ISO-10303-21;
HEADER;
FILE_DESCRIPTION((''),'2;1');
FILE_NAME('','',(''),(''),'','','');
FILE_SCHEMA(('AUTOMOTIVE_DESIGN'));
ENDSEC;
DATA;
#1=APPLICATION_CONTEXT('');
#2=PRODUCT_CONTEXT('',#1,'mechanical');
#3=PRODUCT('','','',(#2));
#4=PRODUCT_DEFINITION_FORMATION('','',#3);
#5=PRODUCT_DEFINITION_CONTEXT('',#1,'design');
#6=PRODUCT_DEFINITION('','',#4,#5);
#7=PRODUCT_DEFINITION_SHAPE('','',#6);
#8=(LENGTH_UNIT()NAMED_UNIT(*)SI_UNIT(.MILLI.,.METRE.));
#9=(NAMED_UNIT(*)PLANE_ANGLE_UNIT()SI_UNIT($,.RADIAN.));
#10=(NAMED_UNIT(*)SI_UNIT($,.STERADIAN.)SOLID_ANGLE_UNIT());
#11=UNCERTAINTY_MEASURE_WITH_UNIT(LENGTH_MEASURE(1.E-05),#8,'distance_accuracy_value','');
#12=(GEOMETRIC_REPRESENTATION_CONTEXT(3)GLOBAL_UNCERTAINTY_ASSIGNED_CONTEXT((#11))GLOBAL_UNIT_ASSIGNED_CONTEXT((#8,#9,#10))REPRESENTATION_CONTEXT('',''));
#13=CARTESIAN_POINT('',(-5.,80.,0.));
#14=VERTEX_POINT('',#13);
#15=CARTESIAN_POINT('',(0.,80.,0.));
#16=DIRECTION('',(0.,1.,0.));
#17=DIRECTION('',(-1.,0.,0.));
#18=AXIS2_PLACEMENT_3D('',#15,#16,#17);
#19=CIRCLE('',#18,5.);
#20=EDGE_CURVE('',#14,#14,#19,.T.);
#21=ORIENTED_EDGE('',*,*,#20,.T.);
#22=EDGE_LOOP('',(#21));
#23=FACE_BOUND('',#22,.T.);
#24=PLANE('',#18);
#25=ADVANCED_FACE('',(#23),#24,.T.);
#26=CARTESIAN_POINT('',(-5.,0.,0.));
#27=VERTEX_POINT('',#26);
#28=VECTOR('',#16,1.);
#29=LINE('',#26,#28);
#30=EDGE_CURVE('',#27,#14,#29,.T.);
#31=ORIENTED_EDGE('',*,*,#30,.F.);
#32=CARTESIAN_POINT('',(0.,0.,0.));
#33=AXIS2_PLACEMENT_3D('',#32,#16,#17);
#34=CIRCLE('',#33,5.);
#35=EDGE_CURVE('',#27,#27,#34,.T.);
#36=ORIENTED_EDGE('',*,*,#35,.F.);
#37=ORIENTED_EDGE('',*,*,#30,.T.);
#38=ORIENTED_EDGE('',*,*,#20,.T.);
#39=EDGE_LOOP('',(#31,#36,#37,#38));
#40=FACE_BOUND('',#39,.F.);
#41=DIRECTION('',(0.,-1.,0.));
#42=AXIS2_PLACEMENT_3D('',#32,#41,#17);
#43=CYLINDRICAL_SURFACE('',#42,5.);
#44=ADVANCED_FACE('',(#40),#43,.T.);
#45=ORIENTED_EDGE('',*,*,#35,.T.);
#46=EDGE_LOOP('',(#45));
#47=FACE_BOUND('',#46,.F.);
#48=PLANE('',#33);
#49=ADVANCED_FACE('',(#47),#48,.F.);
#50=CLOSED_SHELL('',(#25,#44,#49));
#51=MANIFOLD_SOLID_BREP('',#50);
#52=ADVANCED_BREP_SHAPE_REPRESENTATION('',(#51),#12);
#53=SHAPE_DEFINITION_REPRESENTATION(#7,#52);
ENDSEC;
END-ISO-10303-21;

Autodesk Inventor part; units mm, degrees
ref_plane "YZ Plane" through (0, 0, 0) normal (1, 0, 0) x (0, 1, 0)
ref_plane "XZ Plane" through (0, 0, 0) normal (0, 1, 0) x (-1, 0, 0)
ref_plane "XY Plane" through (0, 0, 0) normal (0, 0, 1) x (1, 0, 0)
sketch "Sketch1" plane through (0, 0, 0) normal (0, 1, 0) x (-1, 0, 0)
  circle A0 centre (0, 0) radius 5
  dimension "d0" = 10
extrude "Extrusion1" add sketch "Sketch1" along normal blind 80
properties part number "shaft5"
